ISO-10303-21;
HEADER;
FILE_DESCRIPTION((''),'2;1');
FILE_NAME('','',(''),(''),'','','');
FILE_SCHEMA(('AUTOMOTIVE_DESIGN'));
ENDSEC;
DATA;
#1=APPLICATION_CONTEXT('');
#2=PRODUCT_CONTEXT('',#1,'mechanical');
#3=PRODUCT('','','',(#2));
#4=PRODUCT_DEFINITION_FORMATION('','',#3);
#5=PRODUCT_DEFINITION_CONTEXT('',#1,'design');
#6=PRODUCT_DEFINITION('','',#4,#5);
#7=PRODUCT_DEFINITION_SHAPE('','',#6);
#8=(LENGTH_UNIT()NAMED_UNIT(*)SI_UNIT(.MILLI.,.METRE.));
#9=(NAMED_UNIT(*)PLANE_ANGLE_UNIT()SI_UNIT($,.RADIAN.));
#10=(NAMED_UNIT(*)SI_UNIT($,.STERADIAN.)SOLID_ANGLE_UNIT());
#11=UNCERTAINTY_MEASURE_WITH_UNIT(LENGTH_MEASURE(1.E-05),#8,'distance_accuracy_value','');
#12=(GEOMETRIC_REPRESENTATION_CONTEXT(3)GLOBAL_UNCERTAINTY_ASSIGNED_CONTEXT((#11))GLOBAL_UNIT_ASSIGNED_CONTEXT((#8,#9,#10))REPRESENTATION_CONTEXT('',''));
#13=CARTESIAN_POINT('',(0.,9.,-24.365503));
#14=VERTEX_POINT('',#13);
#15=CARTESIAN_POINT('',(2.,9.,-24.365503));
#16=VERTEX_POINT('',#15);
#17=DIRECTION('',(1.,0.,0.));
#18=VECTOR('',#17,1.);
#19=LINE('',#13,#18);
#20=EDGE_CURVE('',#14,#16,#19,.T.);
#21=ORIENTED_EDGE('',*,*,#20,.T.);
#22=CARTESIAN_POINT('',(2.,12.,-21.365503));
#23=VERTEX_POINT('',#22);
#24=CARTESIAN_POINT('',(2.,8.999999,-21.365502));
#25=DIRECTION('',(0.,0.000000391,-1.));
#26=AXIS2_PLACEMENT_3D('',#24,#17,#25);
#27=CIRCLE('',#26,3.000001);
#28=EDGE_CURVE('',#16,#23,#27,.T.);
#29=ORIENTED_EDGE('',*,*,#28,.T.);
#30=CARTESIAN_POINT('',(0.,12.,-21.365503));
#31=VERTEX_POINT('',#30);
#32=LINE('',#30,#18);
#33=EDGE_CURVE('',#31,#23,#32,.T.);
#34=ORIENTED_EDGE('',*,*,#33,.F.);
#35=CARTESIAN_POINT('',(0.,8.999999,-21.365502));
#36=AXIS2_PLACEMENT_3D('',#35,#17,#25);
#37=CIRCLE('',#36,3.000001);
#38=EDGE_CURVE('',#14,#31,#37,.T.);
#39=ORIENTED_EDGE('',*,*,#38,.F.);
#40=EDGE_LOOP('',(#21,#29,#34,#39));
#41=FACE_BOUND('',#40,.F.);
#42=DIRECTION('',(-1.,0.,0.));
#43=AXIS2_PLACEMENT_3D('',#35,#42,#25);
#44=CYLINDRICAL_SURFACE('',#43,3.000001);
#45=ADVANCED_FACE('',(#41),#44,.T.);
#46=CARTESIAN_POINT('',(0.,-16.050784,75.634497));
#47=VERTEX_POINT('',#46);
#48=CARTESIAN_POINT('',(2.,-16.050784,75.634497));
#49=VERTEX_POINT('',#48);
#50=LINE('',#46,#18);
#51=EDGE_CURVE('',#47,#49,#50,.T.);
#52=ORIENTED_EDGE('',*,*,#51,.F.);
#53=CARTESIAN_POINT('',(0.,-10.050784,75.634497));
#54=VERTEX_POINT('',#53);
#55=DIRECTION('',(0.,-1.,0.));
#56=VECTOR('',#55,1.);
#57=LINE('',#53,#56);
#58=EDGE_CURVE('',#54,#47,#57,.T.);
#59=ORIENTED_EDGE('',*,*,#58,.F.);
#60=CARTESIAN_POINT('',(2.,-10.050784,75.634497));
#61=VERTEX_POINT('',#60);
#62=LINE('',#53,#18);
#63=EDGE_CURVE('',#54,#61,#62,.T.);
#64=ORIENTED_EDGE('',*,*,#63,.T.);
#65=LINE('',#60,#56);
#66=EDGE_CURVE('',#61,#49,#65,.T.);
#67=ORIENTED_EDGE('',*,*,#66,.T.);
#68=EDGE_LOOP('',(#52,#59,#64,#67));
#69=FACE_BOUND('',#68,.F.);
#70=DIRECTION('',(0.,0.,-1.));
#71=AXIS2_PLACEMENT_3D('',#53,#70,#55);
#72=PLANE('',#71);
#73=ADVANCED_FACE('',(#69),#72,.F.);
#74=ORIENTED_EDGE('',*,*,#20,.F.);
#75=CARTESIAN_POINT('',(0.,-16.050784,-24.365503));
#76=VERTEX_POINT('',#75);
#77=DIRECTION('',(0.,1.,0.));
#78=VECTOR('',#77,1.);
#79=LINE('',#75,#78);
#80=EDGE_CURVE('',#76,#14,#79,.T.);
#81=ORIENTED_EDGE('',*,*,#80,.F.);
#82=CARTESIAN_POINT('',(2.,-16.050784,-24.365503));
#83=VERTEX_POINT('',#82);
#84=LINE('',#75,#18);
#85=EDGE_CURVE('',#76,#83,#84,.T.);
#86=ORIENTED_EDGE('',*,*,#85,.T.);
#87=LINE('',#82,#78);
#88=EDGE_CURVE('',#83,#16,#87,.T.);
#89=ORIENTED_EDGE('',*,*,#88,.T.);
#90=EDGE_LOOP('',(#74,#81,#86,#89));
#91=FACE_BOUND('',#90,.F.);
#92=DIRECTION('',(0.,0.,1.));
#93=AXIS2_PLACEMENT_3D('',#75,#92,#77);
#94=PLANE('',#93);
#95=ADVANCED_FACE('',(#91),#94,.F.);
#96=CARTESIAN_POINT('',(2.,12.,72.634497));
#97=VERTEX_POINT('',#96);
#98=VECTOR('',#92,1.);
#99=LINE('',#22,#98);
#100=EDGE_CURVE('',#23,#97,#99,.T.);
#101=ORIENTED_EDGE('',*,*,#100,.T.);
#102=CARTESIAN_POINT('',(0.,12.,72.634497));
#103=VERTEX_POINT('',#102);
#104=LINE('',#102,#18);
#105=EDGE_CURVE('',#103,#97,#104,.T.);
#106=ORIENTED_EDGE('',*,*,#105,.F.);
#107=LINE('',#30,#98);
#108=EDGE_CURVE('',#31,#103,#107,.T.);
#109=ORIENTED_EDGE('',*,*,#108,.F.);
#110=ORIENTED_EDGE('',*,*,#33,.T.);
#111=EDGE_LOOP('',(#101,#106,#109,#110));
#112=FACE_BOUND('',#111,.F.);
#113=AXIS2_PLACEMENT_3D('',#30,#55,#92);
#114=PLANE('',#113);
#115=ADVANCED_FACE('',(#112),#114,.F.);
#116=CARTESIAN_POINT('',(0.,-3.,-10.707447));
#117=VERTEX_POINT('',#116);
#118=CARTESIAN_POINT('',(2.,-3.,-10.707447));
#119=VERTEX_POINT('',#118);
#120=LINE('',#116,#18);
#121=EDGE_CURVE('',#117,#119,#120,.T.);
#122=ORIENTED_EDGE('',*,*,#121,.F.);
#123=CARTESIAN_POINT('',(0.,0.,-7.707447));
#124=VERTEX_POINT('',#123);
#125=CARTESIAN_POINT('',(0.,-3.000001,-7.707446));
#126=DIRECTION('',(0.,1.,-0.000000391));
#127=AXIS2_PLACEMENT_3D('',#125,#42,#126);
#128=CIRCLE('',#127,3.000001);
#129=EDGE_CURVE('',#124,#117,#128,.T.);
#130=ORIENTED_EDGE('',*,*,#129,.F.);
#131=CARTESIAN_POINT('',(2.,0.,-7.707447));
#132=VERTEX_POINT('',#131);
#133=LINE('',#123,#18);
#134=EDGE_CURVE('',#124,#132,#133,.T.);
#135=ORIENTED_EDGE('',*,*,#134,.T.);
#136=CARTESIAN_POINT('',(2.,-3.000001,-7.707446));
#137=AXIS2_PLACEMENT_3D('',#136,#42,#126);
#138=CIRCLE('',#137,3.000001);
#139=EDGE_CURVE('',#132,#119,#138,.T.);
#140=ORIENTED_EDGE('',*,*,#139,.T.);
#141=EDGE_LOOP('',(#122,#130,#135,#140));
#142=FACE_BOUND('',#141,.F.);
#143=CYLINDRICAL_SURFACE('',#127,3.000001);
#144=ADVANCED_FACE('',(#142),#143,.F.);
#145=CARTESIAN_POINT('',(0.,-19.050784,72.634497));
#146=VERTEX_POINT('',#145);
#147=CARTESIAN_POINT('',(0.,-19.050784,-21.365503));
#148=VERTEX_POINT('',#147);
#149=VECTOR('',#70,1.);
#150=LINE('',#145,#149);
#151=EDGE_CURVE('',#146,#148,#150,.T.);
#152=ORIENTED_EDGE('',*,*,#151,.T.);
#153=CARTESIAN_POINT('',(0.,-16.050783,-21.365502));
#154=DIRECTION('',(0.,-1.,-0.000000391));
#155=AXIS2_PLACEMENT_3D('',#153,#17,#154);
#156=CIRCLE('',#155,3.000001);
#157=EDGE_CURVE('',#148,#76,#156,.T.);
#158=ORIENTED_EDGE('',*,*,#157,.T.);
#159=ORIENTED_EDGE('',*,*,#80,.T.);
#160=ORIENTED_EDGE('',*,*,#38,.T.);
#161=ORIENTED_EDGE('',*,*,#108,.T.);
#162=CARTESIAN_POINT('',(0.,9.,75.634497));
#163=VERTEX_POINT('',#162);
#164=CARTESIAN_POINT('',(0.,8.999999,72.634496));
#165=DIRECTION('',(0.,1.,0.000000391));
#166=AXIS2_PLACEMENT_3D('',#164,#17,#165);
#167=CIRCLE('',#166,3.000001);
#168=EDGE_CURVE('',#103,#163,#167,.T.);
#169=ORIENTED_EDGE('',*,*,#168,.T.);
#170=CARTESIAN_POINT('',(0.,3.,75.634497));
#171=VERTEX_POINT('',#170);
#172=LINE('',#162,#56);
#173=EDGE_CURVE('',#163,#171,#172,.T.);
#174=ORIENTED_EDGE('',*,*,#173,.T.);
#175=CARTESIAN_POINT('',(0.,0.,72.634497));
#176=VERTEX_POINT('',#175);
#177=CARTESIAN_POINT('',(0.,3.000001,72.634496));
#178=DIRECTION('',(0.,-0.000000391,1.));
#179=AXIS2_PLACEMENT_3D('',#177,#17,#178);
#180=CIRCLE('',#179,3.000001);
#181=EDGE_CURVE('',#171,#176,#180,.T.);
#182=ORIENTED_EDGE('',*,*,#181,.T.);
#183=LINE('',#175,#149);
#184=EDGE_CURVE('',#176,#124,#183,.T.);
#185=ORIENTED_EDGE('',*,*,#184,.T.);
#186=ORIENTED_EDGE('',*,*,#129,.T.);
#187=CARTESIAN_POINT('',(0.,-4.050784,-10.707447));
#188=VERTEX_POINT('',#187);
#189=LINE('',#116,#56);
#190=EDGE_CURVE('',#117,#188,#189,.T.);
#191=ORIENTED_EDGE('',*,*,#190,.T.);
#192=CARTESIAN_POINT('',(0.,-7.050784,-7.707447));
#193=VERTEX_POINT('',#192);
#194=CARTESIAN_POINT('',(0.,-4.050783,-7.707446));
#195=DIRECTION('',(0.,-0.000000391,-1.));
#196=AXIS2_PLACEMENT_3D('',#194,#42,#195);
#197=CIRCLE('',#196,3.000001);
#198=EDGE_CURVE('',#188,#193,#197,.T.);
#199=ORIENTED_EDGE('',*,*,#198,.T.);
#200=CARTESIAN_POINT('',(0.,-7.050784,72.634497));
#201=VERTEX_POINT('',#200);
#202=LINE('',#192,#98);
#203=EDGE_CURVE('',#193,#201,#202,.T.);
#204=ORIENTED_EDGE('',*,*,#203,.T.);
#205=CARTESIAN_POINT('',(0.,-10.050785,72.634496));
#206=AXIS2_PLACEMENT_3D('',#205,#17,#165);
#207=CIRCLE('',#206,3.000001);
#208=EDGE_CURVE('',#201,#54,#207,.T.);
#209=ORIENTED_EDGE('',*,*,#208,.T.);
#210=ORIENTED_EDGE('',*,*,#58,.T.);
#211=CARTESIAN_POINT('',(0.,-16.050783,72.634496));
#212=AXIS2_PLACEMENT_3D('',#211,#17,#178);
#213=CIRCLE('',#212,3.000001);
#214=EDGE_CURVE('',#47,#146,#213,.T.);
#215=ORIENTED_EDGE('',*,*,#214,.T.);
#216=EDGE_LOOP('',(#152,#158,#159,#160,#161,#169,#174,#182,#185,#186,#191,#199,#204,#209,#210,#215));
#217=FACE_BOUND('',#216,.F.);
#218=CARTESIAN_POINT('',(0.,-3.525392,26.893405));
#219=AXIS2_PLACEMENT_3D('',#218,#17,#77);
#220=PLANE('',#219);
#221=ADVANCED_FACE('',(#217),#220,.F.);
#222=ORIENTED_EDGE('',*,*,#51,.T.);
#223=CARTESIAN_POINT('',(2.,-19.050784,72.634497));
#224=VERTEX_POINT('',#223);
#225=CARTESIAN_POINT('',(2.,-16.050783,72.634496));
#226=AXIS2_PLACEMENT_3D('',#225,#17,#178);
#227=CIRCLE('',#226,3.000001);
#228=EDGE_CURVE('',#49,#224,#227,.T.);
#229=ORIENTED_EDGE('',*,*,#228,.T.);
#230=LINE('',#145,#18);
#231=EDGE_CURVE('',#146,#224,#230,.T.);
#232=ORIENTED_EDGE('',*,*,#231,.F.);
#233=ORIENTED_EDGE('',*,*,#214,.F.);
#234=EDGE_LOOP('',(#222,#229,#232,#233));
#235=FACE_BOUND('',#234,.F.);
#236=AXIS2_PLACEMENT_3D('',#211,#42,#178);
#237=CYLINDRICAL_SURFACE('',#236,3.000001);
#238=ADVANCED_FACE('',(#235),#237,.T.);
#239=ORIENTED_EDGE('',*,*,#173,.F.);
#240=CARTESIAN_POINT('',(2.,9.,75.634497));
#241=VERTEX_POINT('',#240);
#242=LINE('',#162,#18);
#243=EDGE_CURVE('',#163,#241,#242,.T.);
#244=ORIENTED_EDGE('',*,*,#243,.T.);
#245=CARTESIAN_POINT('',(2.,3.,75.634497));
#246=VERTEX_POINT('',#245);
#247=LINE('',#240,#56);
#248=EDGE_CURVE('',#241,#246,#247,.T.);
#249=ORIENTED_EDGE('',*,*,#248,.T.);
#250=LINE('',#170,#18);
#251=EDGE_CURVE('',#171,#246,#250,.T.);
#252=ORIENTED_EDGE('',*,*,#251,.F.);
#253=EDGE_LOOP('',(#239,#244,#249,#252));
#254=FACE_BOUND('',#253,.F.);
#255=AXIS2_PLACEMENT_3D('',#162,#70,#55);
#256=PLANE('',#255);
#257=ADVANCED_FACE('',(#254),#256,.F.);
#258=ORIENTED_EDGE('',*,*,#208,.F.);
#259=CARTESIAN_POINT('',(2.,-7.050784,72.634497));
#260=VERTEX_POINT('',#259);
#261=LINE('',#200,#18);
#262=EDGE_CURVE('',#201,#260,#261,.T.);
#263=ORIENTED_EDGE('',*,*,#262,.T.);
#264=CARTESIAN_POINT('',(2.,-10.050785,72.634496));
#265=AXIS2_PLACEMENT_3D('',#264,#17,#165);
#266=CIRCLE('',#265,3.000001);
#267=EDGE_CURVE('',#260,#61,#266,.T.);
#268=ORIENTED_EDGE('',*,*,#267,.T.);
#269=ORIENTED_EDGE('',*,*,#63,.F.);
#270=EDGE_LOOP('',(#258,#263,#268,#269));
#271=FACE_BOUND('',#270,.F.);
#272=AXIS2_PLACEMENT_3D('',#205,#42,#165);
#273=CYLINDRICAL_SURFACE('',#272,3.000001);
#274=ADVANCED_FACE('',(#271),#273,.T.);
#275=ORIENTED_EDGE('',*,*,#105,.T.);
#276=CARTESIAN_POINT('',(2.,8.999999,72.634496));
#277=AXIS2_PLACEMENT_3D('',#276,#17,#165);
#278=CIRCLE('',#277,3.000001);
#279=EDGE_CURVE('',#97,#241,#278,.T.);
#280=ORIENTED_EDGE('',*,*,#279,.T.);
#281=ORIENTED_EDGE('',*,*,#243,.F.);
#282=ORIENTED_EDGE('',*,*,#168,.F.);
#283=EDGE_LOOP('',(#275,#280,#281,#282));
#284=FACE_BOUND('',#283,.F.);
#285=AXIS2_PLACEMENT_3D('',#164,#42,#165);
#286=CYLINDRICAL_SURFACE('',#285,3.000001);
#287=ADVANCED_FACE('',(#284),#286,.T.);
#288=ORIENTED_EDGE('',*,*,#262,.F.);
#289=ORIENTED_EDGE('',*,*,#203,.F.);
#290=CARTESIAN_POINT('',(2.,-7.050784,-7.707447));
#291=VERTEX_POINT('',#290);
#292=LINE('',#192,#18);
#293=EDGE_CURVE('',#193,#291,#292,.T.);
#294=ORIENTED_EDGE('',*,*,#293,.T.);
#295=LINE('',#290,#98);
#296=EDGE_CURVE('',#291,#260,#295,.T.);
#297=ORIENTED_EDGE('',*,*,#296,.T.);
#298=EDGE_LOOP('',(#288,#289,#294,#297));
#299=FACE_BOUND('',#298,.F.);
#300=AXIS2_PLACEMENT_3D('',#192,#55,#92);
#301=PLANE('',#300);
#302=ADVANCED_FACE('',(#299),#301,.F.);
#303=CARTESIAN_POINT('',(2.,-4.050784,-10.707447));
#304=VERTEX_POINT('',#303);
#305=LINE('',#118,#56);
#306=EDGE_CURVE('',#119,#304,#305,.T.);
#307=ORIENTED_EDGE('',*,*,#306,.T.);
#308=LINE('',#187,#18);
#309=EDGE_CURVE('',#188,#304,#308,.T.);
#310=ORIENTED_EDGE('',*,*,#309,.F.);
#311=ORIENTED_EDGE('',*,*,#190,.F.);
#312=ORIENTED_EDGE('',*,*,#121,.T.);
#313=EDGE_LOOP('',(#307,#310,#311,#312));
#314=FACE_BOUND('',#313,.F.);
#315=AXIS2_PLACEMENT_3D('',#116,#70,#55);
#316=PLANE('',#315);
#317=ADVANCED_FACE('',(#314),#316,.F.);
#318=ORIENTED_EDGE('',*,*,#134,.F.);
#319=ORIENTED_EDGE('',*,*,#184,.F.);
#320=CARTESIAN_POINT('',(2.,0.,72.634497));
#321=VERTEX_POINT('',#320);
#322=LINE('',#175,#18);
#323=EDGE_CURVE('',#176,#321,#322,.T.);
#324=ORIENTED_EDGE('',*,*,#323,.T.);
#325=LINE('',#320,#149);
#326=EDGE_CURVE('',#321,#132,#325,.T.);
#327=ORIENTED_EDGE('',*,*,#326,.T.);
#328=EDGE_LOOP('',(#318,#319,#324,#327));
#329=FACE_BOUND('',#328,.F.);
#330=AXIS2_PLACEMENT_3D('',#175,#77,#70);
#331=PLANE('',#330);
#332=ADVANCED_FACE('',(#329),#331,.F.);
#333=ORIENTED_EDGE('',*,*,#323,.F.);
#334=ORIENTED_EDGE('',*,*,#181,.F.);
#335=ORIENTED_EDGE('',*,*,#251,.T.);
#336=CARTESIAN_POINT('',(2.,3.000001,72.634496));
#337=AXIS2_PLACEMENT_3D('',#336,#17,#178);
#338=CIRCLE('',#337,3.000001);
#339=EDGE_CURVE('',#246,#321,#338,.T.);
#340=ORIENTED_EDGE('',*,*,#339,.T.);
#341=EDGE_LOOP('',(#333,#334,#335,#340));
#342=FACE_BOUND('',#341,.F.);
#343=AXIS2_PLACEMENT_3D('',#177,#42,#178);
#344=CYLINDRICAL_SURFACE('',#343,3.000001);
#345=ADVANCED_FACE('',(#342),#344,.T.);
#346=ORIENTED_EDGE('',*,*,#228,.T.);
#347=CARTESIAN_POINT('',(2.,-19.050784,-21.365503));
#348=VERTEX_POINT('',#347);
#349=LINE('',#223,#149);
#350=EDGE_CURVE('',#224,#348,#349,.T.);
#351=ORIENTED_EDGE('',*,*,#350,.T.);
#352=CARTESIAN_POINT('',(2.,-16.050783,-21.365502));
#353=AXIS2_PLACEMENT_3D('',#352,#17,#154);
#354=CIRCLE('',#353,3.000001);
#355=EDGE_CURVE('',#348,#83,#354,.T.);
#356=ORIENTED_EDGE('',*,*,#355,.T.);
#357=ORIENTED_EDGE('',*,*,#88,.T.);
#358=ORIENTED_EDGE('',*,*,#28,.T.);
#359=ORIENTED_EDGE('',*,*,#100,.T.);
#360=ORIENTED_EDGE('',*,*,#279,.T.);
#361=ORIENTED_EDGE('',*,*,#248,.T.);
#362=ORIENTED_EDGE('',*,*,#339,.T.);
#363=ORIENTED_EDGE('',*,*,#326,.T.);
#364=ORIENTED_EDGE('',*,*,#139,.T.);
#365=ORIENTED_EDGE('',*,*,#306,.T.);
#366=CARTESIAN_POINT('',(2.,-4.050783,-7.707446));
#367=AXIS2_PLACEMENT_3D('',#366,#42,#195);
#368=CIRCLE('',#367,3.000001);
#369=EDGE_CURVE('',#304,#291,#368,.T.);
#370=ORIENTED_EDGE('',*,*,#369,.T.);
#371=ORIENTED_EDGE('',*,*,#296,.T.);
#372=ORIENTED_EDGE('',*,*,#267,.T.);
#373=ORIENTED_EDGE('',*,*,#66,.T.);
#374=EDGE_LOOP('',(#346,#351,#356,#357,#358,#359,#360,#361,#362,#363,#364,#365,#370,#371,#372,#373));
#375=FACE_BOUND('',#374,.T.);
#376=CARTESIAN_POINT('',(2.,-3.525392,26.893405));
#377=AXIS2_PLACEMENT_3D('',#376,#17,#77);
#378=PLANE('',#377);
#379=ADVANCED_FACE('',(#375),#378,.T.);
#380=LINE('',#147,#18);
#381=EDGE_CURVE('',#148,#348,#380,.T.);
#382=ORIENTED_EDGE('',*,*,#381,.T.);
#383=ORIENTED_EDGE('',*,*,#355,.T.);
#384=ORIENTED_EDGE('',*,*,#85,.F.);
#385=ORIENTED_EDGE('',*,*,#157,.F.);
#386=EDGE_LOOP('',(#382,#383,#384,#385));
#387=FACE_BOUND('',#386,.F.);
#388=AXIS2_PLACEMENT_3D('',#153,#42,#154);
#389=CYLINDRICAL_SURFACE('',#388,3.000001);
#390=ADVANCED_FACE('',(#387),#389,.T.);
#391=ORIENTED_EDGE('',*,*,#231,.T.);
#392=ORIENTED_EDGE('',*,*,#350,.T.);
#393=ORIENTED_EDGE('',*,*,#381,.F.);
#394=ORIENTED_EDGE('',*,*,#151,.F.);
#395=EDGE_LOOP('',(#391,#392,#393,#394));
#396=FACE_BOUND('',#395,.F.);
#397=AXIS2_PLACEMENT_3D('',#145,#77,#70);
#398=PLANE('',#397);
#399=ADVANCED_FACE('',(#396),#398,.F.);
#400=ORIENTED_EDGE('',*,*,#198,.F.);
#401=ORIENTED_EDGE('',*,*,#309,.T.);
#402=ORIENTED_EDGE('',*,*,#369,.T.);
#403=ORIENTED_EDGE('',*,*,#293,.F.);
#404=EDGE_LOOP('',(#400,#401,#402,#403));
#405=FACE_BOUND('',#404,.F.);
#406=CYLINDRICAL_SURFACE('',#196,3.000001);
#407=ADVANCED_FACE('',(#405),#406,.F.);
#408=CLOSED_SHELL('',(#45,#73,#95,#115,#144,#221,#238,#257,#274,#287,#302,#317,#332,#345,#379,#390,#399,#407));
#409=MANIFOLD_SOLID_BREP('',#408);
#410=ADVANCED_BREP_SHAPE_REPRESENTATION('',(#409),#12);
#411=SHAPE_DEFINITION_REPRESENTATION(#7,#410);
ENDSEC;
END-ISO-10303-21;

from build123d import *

# Parameters (mm, degrees)
F1_DEPTH = 2


with BuildPart() as f1:
    # F0 (on Right) → F1 (new body)
    with BuildSketch(Plane.YZ):
        with BuildLine():
            ThreePointArc((-16.050784, 75.634497), (-18.172104, 74.755817), (-19.050784, 72.634497))
            Line((-19.050784, 72.634497), (-19.050784, -21.365503))
            ThreePointArc((-19.050784, -21.365503), (-18.172104, -23.486823), (-16.050784, -24.365503))
            Line((-16.050784, -24.365503), (9, -24.365503))
            ThreePointArc((9, -24.365503), (11.12132, -23.486823), (12, -21.365503))
            Line((12, -21.365503), (12, 72.634497))
            ThreePointArc((12, 72.634497), (11.12132, 74.755817), (9, 75.634497))
            Line((9, 75.634497), (3, 75.634497))
            ThreePointArc((3, 75.634497), (0.87868, 74.755817), (0, 72.634497))
            Line((0, 72.634497), (0, -7.707447))
            ThreePointArc((0, -7.707447), (-0.87868, -9.828767), (-3, -10.707447))
            Line((-3, -10.707447), (-4.050784, -10.707447))
            ThreePointArc((-4.050784, -10.707447), (-6.172104, -9.828767), (-7.050784, -7.707447))
            Line((-7.050784, -7.707447), (-7.050784, 72.634497))
            ThreePointArc((-7.050784, 72.634497), (-7.929464, 74.755817), (-10.050784, 75.634497))
            Line((-10.050784, 75.634497), (-16.050784, 75.634497))
        make_face()
    extrude(amount=F1_DEPTH)


solid = f1.part
